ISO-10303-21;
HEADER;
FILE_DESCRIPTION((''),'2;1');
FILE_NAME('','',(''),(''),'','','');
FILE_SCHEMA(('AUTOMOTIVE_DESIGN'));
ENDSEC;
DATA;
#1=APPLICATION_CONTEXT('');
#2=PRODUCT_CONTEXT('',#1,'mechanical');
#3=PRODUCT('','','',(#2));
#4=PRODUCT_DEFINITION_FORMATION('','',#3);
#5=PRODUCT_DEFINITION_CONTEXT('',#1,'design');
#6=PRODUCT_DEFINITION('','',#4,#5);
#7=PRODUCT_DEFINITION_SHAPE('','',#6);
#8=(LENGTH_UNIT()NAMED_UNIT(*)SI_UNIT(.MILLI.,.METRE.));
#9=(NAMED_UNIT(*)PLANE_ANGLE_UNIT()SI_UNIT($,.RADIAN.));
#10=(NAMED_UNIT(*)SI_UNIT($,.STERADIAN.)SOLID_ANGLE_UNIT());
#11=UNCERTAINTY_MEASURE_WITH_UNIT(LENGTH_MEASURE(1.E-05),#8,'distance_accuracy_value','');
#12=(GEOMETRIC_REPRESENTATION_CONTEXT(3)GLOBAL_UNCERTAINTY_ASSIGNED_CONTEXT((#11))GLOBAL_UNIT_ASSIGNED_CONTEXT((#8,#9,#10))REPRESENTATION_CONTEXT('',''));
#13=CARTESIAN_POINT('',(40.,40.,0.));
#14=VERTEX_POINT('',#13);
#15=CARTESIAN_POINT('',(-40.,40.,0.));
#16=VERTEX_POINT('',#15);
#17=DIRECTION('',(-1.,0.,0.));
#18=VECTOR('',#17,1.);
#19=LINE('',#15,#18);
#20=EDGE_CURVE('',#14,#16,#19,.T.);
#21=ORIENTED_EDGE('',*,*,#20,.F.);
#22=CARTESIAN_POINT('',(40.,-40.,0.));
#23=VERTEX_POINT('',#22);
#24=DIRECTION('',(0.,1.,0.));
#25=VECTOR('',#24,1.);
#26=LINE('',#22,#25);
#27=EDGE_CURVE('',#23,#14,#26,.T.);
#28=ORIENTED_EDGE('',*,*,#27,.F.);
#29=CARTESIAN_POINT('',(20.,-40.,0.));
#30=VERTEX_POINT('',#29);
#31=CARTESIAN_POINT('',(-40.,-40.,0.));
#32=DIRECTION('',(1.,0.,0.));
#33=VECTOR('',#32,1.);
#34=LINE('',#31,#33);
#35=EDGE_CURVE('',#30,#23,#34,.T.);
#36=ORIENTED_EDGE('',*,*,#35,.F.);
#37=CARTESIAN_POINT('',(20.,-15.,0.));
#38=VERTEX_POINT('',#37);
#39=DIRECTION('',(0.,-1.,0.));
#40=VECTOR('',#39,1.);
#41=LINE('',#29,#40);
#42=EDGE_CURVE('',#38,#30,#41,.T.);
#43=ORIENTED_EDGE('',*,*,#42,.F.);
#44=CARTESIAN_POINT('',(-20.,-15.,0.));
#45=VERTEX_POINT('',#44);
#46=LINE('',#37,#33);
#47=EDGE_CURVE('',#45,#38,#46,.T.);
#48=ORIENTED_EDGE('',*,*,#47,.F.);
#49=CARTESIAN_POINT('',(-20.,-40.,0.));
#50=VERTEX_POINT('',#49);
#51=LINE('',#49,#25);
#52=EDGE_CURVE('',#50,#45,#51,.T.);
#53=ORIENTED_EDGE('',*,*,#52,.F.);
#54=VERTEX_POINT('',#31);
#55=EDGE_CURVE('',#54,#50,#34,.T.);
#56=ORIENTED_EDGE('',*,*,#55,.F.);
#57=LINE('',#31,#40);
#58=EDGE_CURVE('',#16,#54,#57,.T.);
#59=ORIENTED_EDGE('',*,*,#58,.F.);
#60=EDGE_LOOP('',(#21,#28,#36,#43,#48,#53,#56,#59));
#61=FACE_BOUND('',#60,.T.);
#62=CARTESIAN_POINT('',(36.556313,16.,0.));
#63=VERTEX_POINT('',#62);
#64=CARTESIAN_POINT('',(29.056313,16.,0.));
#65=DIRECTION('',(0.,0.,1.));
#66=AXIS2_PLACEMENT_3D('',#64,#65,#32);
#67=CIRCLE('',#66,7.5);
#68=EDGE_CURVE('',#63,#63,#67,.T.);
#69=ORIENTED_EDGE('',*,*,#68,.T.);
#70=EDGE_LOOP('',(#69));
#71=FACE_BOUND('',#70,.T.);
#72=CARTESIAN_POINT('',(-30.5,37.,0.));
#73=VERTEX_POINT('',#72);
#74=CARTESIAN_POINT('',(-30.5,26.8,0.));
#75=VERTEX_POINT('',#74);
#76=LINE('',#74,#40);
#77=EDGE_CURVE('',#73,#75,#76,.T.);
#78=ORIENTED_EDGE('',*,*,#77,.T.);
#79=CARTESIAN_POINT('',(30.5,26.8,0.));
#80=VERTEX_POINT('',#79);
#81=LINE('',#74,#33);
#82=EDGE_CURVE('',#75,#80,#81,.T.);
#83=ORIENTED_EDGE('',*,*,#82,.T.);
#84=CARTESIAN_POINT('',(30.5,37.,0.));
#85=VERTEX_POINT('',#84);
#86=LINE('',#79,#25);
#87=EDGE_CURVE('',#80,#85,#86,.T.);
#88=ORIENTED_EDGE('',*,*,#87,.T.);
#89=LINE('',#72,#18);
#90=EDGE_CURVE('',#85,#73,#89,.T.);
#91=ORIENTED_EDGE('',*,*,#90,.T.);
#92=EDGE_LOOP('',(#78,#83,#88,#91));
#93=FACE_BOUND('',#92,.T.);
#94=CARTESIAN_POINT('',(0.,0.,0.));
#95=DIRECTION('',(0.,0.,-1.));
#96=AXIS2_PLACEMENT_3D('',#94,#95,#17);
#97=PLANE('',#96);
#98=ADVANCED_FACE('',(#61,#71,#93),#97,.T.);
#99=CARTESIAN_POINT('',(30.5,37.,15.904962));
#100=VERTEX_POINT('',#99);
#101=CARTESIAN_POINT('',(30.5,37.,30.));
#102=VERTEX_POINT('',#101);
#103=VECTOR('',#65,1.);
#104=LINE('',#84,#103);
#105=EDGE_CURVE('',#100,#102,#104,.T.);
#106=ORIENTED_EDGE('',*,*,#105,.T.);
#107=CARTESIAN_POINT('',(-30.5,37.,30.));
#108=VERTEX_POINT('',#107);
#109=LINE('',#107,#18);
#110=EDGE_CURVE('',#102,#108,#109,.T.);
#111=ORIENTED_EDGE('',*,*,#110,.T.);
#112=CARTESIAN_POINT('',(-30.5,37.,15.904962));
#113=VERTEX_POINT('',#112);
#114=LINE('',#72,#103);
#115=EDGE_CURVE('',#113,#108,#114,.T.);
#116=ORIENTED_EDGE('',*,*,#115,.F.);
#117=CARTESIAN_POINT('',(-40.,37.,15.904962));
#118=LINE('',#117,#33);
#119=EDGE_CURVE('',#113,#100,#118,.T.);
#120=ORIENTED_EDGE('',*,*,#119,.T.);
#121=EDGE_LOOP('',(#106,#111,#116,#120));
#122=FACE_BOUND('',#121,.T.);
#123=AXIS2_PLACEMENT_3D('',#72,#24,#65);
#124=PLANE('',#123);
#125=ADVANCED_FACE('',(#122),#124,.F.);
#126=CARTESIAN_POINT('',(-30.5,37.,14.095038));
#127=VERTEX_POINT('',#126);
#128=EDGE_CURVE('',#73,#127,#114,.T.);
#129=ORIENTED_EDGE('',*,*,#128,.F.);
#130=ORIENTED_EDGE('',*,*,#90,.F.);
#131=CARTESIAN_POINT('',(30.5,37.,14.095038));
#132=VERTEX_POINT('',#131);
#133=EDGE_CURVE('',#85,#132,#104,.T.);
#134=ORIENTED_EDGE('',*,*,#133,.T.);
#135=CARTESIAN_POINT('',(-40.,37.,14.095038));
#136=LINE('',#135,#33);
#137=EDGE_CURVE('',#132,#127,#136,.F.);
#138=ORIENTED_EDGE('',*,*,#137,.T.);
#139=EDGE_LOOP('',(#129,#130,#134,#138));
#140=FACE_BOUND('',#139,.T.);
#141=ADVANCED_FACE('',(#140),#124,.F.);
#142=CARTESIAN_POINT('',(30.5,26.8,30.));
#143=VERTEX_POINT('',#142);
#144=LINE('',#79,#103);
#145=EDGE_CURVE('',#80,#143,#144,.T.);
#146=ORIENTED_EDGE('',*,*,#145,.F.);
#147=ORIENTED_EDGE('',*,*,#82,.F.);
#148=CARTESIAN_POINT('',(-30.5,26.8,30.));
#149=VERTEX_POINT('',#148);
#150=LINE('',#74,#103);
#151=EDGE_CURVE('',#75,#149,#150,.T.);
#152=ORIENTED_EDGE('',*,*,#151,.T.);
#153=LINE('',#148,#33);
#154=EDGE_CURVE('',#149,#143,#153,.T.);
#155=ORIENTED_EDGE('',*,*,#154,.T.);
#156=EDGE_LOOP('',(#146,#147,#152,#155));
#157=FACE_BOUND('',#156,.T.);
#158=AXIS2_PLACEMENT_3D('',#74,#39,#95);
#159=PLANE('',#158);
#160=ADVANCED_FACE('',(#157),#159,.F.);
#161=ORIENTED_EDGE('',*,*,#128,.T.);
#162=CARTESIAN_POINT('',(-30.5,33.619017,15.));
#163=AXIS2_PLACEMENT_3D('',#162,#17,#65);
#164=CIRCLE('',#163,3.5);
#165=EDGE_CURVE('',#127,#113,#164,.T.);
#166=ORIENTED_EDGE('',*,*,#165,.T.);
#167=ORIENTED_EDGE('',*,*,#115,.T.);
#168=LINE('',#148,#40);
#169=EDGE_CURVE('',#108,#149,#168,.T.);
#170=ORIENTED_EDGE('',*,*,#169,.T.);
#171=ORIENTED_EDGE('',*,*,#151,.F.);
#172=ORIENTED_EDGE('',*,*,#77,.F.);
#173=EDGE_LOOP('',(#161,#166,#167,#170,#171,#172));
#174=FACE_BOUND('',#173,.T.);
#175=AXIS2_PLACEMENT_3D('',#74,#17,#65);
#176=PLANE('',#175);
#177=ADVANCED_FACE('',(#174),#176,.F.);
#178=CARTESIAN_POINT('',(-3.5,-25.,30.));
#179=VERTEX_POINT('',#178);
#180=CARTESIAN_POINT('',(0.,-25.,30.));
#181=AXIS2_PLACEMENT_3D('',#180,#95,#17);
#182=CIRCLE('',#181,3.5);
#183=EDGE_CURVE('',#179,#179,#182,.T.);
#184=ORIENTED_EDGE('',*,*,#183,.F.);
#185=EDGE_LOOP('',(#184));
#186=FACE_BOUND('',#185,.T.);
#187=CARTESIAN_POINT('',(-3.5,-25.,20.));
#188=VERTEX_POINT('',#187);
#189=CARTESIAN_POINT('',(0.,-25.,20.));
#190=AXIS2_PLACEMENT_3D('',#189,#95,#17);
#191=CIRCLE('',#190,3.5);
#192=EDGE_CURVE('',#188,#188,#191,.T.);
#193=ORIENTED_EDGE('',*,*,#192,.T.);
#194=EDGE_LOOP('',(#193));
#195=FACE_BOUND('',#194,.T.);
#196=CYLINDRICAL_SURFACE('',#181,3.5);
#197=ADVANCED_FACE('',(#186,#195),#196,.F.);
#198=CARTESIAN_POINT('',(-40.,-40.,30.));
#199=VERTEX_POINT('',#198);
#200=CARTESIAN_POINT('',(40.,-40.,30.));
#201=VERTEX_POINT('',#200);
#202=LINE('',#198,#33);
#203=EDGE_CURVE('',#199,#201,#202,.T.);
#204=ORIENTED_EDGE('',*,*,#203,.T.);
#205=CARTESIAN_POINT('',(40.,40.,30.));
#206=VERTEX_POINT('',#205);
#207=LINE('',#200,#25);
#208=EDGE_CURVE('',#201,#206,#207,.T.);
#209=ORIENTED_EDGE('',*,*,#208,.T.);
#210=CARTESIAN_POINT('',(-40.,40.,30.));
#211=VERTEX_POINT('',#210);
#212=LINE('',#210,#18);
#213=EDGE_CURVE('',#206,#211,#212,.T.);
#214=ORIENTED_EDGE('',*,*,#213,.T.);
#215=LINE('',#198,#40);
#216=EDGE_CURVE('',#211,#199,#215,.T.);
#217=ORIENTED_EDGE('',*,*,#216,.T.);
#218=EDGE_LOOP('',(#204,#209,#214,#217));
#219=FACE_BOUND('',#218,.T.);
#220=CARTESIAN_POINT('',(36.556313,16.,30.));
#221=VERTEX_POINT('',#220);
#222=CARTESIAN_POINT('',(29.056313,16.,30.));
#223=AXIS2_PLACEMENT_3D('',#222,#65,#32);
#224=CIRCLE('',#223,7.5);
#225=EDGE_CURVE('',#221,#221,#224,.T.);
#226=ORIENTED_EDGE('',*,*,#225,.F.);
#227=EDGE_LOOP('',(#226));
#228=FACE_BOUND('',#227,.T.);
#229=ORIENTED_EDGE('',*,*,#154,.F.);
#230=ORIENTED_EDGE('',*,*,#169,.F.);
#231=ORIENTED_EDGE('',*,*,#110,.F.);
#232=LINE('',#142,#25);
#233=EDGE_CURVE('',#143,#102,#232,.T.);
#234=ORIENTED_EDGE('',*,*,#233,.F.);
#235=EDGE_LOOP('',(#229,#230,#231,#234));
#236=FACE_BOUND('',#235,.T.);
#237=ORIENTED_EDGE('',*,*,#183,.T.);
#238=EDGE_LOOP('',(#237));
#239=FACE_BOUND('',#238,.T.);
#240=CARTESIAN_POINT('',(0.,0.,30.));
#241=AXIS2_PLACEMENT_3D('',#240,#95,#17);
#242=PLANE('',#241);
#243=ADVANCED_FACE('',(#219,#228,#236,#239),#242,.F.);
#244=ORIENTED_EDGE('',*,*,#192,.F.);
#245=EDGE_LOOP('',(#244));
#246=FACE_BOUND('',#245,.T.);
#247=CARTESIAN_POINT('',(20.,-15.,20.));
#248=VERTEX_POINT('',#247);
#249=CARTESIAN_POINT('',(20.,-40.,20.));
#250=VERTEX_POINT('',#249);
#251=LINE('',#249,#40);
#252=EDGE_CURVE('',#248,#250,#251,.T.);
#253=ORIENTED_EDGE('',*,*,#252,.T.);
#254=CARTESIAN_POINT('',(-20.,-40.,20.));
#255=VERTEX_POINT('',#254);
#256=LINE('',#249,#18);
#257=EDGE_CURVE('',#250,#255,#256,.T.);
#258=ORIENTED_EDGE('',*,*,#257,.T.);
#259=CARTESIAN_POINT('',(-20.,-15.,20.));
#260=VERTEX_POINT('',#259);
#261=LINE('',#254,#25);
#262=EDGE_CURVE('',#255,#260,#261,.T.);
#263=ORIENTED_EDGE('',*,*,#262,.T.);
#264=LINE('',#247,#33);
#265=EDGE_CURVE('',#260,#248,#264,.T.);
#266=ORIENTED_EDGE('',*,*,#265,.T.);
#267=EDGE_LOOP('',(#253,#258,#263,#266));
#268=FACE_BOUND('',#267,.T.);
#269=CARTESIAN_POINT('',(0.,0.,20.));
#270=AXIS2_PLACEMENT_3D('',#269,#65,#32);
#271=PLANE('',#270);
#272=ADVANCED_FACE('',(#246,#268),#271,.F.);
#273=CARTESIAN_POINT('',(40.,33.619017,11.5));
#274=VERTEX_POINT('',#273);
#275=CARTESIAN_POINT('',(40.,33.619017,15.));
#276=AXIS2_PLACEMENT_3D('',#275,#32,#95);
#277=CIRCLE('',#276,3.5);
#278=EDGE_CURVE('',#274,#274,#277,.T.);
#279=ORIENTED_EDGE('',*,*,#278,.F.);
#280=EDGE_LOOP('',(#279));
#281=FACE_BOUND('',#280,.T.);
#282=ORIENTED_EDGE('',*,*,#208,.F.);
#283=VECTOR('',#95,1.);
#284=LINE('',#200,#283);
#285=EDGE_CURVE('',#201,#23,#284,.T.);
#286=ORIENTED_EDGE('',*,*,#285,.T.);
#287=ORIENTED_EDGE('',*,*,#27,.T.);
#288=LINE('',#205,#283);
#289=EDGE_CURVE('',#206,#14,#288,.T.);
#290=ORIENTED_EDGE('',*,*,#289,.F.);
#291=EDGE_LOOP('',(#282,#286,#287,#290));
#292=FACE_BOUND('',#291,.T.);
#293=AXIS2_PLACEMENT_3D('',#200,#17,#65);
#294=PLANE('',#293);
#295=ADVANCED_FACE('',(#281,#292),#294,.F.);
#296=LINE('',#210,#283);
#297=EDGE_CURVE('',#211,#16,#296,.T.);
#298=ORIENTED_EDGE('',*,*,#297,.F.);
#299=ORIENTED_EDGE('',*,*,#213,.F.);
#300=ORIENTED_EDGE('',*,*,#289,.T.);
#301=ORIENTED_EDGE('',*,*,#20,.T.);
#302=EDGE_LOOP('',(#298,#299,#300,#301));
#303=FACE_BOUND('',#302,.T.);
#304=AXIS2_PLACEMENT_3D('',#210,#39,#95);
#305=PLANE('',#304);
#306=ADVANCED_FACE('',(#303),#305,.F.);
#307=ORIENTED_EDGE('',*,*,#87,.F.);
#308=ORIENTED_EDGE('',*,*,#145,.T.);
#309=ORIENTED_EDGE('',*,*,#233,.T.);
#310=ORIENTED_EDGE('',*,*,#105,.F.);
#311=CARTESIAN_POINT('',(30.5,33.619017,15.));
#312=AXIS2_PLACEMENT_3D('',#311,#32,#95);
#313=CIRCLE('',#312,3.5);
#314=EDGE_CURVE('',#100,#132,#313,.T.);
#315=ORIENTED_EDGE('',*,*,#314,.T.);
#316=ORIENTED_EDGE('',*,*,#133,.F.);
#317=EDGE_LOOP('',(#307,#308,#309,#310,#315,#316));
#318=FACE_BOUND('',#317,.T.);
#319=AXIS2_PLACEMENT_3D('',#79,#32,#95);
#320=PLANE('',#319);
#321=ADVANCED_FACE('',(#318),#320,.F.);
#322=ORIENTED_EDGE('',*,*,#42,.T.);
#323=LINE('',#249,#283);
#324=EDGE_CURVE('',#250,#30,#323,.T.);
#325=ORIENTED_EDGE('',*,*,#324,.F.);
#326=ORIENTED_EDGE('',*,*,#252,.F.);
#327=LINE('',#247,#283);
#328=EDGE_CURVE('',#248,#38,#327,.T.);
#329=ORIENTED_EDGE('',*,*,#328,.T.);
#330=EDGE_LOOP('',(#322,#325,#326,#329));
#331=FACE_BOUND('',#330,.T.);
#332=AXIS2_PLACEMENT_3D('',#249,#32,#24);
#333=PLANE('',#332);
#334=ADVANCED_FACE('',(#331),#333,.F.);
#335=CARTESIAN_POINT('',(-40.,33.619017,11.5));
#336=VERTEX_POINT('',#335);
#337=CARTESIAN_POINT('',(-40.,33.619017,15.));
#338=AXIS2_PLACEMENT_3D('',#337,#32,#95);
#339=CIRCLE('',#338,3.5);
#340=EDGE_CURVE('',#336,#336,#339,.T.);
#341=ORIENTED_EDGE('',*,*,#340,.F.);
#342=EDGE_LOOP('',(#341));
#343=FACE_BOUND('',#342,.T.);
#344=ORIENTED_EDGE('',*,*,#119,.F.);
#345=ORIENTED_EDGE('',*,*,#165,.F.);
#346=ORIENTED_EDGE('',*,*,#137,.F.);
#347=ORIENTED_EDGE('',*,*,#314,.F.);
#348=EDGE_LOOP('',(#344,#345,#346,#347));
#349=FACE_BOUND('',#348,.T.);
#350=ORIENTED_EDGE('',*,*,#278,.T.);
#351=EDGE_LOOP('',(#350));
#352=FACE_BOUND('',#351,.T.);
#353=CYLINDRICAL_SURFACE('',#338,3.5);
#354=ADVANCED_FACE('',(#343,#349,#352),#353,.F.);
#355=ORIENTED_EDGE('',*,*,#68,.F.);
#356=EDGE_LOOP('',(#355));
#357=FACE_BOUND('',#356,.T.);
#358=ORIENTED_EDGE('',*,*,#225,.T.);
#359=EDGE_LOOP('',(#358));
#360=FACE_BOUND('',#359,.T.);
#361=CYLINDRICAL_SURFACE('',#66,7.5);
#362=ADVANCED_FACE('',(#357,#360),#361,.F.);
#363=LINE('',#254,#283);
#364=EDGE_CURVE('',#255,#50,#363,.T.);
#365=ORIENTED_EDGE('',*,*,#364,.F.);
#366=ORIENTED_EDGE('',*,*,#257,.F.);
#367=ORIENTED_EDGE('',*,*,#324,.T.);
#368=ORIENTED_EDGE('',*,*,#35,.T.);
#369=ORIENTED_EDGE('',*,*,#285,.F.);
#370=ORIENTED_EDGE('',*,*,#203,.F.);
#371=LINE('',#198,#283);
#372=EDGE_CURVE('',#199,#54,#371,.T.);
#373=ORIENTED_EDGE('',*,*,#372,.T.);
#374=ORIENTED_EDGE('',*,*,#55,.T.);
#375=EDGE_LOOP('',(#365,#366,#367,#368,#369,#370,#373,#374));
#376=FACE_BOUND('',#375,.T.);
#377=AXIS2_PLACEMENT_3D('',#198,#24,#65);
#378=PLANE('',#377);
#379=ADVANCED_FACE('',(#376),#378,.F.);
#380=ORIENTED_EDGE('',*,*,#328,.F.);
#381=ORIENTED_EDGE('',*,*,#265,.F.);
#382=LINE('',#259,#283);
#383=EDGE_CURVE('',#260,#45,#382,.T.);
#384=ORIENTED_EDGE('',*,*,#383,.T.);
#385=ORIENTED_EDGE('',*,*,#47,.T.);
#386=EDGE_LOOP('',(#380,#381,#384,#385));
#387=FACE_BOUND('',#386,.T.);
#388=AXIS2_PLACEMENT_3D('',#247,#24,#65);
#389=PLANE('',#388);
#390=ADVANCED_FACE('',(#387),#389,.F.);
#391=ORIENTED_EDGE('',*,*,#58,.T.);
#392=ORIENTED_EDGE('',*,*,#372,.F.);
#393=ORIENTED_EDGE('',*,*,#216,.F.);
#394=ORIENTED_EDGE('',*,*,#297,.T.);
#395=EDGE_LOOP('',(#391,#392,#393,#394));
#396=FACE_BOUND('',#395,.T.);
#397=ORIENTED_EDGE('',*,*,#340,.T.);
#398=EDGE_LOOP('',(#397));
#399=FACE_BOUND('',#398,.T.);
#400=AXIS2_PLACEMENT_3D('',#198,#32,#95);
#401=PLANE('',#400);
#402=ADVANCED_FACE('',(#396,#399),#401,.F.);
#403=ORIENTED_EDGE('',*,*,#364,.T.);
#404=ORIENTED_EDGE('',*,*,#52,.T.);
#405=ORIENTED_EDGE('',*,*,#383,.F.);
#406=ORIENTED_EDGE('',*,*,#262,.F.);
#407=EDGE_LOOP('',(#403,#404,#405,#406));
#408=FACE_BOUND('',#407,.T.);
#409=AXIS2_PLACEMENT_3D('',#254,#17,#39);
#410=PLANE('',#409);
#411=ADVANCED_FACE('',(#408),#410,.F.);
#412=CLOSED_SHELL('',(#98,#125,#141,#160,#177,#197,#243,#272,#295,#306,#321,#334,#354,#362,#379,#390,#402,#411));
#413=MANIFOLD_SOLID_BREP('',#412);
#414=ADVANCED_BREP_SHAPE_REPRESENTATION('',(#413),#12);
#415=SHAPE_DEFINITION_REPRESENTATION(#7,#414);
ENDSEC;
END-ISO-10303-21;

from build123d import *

# Parameters (mm, degrees)
SKETCH1_W           = 80
SKETCH1_H           = 80
BOSS_EXTRUDE1_DEPTH = 30
SKETCH2_W           = 61
SKETCH2_H           = 10.2
CUT_EXTRUDE1_DEPTH  = 65.031242374
SKETCH3_W           = 40
SKETCH3_H           = 25
CUT_EXTRUDE2_DEPTH  = 20
SKETCH4_R           = 3.5
CUT_EXTRUDE3_DEPTH  = 61
SKETCH5_R           = 3.5
CUT_EXTRUDE4_DEPTH  = 95.339811321
SKETCH6_R           = 7.5
CUT_EXTRUDE5_DEPTH  = 65.031242374


with BuildPart() as part:
    # Sketch1 → Boss-Extrude1 (new body)
    with BuildSketch(Plane.XY):
        Rectangle(SKETCH1_W, SKETCH1_H)
    extrude(amount=BOSS_EXTRUDE1_DEPTH)

    # Sketch2 → Cut-Extrude1 (cut, through all)
    with BuildSketch(Plane.XY.offset(30)):
        with Locations((0, 31.9)):
            Rectangle(SKETCH2_W, SKETCH2_H)
    extrude(amount=-CUT_EXTRUDE1_DEPTH, mode=Mode.SUBTRACT)

    # Sketch3 → Cut-Extrude2 (cut)
    with BuildSketch(Plane(origin=(0, 0, 0), x_dir=(-1, 0, 0), z_dir=(0, 0, -1))):
        with Locations((0, -27.5)):
            Rectangle(SKETCH3_W, SKETCH3_H)
    extrude(amount=-CUT_EXTRUDE2_DEPTH, mode=Mode.SUBTRACT)

    # Sketch4 → Cut-Extrude3 (cut, through all)
    with BuildSketch(Plane(origin=(0, 0, 20), x_dir=(-1, 0, 0), z_dir=(0, 0, -1))):
        with Locations((0, -25)):
            Circle(SKETCH4_R)
    extrude(amount=-CUT_EXTRUDE3_DEPTH, mode=Mode.SUBTRACT)

    # Sketch5 → Cut-Extrude4 (cut, through all)
    with BuildSketch(Plane(origin=(40, 0, 0), x_dir=(0, 0, -1), z_dir=(1, 0, 0))):
        with Locations((-15, 33.619017373)):
            Circle(SKETCH5_R)
    extrude(amount=-CUT_EXTRUDE4_DEPTH, mode=Mode.SUBTRACT)

    # Sketch6 → Cut-Extrude5 (cut, through all)
    with BuildSketch(Plane.XY.offset(30)):
        with Locations((29.056312598, 16)):
            Circle(SKETCH6_R)
    extrude(amount=-CUT_EXTRUDE5_DEPTH, mode=Mode.SUBTRACT)


solid = part.part
